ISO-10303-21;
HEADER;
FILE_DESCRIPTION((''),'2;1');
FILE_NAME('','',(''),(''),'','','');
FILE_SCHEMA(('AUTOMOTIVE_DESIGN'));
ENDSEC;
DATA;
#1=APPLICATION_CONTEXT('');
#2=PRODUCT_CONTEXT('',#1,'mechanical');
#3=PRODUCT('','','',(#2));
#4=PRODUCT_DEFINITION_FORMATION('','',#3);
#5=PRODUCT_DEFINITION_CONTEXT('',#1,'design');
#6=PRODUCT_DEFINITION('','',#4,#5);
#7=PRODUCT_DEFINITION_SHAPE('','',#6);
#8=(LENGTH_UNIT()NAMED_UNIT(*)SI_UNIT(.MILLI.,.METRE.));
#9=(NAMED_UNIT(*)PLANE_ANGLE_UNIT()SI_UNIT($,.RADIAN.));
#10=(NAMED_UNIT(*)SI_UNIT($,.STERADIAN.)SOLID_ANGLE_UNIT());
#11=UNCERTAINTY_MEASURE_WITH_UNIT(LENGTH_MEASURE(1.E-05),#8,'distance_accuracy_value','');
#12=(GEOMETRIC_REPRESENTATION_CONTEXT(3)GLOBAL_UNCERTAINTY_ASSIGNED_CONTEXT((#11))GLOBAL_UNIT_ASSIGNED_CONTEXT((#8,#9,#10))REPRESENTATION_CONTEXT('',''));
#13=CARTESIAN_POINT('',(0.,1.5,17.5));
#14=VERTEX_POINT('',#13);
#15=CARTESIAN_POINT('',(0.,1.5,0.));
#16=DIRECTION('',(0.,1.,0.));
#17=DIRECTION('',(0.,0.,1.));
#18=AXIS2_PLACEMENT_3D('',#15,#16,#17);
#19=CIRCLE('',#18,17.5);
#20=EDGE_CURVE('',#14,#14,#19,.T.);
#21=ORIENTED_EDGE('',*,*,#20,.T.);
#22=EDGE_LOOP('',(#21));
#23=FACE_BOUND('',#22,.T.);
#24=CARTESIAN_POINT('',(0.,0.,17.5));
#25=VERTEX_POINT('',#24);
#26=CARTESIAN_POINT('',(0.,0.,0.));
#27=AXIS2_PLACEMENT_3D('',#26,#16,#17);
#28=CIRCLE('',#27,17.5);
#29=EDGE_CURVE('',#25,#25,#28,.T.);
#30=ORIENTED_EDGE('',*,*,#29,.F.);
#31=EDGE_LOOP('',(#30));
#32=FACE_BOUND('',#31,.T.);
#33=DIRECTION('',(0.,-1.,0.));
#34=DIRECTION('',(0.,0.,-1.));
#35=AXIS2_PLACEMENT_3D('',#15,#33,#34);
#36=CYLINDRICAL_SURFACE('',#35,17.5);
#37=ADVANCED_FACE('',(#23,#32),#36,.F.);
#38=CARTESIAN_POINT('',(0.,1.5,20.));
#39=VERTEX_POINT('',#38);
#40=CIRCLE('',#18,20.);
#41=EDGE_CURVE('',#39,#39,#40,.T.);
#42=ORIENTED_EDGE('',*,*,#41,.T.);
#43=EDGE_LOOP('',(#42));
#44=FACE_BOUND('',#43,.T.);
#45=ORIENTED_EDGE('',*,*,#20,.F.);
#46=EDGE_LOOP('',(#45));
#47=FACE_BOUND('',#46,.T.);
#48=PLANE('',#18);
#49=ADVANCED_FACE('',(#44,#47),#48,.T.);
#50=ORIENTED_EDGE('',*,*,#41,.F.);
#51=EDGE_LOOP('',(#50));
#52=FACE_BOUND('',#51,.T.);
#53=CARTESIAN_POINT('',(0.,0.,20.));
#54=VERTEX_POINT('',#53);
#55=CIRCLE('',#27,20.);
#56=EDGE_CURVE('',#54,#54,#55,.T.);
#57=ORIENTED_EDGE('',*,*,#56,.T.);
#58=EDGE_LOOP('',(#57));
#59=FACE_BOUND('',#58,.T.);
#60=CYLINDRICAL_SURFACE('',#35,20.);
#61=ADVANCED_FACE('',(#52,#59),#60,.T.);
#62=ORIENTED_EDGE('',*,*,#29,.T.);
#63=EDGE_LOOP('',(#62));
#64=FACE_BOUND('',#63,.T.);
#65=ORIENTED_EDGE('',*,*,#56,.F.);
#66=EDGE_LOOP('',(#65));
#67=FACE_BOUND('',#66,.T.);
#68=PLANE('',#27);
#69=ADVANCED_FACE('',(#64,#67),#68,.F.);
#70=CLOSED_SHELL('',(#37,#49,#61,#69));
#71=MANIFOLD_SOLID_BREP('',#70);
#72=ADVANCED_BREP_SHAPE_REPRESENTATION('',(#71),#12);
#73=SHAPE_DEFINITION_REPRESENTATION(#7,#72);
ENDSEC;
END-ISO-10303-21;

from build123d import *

# Parameters (mm, degrees)
SKETCH1_R           = 20
SKETCH1_R_2         = 17.5
BOSS_EXTRUDE1_DEPTH = 1.5


with BuildPart() as part:
    # Sketch1 → Boss-Extrude1 (new body)
    with BuildSketch(Plane(origin=(0, 0, 0), x_dir=(1, 0, 0), z_dir=(0, 1, 0))):
        Circle(SKETCH1_R)
        Circle(SKETCH1_R_2, mode=Mode.SUBTRACT)
    extrude(amount=BOSS_EXTRUDE1_DEPTH)


solid = part.part
